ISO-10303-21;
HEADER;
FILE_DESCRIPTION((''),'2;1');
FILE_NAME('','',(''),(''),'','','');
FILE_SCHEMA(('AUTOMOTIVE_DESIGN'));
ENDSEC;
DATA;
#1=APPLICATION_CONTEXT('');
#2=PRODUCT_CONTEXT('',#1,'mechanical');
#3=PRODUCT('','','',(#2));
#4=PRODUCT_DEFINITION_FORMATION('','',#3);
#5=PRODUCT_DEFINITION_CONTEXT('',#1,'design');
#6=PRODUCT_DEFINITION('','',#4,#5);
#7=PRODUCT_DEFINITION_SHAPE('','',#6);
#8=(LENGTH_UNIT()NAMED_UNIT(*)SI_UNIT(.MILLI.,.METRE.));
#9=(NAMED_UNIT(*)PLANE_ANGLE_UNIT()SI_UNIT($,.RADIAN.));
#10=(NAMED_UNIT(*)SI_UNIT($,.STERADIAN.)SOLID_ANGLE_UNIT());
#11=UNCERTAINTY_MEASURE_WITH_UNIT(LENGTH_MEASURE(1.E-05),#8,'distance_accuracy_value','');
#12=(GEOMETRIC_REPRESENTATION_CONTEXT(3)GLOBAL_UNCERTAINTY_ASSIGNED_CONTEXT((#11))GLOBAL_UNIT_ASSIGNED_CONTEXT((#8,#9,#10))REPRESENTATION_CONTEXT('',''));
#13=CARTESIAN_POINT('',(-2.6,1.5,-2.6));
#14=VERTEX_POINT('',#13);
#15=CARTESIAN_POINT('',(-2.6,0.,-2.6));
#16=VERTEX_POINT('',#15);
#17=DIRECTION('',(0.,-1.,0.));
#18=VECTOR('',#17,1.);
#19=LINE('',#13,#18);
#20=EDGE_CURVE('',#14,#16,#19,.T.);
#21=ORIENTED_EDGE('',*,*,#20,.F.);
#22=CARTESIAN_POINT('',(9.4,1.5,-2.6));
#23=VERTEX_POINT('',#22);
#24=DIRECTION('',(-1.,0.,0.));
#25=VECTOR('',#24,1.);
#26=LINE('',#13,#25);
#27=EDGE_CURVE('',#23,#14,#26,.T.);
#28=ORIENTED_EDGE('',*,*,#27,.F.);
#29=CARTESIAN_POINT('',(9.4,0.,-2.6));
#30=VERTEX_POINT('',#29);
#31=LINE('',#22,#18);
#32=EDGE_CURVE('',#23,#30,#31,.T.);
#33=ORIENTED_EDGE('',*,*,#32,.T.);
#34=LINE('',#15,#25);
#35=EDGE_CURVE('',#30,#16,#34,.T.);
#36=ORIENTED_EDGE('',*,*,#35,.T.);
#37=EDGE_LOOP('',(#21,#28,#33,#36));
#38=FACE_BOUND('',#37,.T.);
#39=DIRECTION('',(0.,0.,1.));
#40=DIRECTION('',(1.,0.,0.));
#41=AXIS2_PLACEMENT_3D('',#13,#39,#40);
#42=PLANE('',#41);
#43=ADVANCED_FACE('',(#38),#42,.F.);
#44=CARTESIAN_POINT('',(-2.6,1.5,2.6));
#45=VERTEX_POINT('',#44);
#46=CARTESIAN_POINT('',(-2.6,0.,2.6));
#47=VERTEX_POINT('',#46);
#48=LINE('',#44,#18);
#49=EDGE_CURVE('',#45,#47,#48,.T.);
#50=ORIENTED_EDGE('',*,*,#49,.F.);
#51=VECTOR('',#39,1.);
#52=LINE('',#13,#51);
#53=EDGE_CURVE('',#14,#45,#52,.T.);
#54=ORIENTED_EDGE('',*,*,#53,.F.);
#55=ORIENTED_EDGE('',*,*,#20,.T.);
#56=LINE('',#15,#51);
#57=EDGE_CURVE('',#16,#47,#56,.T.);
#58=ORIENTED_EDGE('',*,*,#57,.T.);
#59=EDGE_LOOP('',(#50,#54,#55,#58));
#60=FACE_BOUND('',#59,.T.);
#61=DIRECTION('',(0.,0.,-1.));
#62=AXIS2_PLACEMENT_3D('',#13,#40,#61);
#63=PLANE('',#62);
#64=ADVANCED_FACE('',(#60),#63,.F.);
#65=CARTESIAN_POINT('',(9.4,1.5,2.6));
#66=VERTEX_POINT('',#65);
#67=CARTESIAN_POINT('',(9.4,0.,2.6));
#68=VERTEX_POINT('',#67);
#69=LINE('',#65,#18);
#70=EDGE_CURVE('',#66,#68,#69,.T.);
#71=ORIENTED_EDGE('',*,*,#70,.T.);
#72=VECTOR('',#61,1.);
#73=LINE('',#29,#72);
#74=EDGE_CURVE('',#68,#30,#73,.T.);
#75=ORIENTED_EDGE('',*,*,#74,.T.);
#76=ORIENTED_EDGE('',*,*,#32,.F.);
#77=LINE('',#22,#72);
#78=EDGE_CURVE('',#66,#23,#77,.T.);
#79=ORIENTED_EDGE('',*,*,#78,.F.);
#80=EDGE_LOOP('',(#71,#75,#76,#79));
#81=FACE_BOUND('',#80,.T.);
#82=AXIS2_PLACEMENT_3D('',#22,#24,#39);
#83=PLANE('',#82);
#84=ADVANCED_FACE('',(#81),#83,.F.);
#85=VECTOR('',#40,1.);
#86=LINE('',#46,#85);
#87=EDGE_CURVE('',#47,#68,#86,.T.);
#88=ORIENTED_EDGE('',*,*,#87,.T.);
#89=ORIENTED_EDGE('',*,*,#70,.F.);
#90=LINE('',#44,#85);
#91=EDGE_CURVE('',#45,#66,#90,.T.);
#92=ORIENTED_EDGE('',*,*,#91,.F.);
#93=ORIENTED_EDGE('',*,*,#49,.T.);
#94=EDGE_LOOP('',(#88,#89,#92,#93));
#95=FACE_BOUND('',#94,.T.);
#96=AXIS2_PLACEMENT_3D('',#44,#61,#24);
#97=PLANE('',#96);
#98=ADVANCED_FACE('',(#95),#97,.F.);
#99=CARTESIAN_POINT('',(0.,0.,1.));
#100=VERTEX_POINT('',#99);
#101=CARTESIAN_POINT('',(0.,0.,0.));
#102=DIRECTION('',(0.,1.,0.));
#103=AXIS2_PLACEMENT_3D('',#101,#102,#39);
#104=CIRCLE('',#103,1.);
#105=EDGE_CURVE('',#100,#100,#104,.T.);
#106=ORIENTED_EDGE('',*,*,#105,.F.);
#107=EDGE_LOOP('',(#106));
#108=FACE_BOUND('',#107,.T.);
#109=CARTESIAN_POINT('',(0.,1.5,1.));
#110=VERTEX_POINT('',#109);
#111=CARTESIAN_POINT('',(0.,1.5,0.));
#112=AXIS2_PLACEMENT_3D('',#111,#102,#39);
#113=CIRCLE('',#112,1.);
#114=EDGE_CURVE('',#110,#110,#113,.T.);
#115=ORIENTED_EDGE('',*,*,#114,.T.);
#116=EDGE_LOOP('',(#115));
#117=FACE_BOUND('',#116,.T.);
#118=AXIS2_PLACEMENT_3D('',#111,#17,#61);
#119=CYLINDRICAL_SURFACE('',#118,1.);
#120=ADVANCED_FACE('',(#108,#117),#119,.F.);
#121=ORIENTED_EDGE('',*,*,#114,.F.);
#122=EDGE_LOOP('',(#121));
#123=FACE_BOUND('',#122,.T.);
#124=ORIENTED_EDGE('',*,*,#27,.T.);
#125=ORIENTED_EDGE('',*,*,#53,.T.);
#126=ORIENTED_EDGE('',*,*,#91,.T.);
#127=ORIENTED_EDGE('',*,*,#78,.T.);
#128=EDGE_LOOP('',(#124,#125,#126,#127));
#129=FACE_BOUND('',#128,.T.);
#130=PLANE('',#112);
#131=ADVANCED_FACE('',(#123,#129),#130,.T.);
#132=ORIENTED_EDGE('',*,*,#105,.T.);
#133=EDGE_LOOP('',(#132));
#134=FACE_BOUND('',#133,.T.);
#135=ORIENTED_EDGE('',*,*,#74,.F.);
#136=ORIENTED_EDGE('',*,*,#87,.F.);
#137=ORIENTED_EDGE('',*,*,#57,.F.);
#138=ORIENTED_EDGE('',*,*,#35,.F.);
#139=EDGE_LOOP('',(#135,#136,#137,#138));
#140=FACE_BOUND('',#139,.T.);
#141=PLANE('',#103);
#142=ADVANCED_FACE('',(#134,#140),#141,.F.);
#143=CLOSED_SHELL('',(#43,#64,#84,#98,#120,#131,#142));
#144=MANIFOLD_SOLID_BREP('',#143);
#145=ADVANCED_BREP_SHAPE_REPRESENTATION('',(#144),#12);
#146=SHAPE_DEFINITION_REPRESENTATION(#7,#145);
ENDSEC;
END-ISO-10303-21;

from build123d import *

# Parameters (mm, degrees)
SKETCH1_W           = 12
SKETCH1_H           = 5.2
SKETCH1_R           = 1
BOSS_EXTRUDE1_DEPTH = 1.5


with BuildPart() as part:
    # Sketch1 → Boss-Extrude1 (new body)
    with BuildSketch(Plane(origin=(0, 0, 0), x_dir=(1, 0, 0), z_dir=(0, 1, 0))):
        with Locations((3.4, 0)):
            Rectangle(SKETCH1_W, SKETCH1_H)
        with Locations(Location((0, 0, 0), (0, 0, 270))):
            Circle(SKETCH1_R, mode=Mode.SUBTRACT)
    extrude(amount=BOSS_EXTRUDE1_DEPTH)


solid = part.part
